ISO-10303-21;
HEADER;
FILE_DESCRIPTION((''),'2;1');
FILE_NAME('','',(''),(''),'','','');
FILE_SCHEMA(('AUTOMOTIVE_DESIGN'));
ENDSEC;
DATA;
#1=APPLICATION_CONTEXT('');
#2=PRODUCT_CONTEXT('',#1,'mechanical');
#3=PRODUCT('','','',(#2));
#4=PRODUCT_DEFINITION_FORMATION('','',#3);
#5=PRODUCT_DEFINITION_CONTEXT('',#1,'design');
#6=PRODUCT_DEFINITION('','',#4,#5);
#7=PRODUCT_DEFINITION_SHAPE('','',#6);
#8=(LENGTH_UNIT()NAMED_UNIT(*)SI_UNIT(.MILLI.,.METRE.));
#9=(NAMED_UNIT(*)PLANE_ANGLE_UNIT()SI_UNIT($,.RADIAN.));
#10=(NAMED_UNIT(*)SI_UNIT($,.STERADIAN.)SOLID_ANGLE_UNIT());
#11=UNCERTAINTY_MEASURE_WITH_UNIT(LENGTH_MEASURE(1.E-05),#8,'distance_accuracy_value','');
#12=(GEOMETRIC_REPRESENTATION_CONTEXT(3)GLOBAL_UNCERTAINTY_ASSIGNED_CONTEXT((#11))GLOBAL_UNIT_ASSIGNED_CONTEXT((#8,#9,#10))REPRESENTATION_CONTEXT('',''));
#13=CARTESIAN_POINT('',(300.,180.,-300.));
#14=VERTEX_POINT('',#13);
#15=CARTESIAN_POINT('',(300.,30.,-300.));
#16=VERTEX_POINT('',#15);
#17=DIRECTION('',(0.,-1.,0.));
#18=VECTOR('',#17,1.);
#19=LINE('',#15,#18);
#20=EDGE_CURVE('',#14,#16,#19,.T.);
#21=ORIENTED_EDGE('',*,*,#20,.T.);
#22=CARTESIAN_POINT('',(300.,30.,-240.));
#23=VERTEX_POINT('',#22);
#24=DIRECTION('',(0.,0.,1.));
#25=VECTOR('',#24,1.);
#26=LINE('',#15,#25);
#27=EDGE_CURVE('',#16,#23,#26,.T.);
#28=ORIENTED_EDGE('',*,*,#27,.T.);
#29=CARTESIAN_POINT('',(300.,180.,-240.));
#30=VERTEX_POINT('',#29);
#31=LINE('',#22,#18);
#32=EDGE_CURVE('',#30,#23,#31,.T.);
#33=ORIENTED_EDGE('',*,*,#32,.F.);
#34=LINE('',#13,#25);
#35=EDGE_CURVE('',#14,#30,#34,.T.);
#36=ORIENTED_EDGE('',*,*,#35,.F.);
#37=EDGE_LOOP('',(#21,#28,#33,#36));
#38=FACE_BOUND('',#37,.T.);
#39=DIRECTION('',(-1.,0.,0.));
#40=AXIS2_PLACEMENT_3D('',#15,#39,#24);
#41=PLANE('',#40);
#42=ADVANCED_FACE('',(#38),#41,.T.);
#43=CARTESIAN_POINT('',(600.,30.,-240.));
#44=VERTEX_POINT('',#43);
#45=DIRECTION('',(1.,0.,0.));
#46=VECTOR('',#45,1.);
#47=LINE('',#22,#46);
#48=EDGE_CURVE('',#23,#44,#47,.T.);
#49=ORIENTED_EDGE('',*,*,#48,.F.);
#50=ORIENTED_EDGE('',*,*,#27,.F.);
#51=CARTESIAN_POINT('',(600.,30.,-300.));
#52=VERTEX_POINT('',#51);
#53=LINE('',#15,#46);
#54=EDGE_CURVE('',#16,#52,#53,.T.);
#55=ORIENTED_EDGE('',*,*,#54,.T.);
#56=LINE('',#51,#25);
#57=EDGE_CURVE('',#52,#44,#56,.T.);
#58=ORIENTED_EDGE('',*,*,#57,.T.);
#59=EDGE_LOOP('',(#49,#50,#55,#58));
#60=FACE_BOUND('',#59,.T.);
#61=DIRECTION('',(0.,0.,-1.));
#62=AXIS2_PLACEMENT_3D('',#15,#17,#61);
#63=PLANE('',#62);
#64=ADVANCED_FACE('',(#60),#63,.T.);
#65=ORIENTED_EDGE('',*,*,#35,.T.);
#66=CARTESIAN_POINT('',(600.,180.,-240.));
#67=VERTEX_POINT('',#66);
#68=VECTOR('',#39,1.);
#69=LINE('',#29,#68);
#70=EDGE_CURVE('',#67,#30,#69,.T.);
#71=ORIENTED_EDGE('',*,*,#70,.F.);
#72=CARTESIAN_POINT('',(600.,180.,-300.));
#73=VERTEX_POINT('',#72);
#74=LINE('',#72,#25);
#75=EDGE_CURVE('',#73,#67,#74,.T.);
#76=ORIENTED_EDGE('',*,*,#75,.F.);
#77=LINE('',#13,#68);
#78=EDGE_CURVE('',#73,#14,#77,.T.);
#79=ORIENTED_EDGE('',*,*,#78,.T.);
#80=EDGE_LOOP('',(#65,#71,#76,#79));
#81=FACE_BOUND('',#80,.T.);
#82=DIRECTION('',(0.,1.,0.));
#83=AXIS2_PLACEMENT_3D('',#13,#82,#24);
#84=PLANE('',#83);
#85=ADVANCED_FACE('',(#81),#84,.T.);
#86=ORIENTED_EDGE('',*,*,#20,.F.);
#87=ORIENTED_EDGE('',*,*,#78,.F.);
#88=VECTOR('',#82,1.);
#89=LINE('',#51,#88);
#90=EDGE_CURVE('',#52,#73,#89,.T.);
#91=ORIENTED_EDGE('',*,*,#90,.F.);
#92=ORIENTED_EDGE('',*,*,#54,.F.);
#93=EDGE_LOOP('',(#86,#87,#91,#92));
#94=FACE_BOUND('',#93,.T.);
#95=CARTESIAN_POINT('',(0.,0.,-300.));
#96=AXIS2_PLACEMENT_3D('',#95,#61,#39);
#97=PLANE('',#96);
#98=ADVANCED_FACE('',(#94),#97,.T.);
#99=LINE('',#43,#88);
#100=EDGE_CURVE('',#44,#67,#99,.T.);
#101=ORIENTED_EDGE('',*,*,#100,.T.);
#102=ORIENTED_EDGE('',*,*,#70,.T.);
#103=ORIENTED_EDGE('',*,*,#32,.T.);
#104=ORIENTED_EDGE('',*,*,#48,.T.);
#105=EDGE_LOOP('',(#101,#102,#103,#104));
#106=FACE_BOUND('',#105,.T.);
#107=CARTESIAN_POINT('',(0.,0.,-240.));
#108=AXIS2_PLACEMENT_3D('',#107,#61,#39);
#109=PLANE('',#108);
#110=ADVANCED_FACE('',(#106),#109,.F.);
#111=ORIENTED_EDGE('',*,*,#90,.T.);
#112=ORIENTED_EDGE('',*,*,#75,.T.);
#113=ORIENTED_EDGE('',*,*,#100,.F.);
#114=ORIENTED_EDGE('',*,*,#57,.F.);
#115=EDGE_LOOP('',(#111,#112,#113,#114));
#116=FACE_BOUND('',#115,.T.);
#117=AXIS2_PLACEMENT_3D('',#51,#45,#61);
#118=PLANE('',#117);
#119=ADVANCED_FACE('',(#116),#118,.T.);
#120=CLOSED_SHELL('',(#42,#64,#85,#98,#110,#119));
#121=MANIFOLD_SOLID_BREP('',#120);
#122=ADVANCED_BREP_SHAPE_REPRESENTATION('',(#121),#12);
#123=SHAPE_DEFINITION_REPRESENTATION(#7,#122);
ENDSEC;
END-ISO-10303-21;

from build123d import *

# Parameters (mm, degrees)
TOPPING_SOG_KONDENSER_1_START = -240
SKETCH1_W                     = 300
SKETCH1_H                     = 150
TOPPING_SOG_KONDENSER_1_DEPTH = 60


with BuildPart() as part:
    # Sketch1 → TOPPING_sog_kondenser_1 (new body)
    with BuildSketch(Plane.XY.offset(TOPPING_SOG_KONDENSER_1_START)):
        with Locations((450, 105)):
            Rectangle(SKETCH1_W, SKETCH1_H)
    extrude(amount=-TOPPING_SOG_KONDENSER_1_DEPTH)


solid = part.part
